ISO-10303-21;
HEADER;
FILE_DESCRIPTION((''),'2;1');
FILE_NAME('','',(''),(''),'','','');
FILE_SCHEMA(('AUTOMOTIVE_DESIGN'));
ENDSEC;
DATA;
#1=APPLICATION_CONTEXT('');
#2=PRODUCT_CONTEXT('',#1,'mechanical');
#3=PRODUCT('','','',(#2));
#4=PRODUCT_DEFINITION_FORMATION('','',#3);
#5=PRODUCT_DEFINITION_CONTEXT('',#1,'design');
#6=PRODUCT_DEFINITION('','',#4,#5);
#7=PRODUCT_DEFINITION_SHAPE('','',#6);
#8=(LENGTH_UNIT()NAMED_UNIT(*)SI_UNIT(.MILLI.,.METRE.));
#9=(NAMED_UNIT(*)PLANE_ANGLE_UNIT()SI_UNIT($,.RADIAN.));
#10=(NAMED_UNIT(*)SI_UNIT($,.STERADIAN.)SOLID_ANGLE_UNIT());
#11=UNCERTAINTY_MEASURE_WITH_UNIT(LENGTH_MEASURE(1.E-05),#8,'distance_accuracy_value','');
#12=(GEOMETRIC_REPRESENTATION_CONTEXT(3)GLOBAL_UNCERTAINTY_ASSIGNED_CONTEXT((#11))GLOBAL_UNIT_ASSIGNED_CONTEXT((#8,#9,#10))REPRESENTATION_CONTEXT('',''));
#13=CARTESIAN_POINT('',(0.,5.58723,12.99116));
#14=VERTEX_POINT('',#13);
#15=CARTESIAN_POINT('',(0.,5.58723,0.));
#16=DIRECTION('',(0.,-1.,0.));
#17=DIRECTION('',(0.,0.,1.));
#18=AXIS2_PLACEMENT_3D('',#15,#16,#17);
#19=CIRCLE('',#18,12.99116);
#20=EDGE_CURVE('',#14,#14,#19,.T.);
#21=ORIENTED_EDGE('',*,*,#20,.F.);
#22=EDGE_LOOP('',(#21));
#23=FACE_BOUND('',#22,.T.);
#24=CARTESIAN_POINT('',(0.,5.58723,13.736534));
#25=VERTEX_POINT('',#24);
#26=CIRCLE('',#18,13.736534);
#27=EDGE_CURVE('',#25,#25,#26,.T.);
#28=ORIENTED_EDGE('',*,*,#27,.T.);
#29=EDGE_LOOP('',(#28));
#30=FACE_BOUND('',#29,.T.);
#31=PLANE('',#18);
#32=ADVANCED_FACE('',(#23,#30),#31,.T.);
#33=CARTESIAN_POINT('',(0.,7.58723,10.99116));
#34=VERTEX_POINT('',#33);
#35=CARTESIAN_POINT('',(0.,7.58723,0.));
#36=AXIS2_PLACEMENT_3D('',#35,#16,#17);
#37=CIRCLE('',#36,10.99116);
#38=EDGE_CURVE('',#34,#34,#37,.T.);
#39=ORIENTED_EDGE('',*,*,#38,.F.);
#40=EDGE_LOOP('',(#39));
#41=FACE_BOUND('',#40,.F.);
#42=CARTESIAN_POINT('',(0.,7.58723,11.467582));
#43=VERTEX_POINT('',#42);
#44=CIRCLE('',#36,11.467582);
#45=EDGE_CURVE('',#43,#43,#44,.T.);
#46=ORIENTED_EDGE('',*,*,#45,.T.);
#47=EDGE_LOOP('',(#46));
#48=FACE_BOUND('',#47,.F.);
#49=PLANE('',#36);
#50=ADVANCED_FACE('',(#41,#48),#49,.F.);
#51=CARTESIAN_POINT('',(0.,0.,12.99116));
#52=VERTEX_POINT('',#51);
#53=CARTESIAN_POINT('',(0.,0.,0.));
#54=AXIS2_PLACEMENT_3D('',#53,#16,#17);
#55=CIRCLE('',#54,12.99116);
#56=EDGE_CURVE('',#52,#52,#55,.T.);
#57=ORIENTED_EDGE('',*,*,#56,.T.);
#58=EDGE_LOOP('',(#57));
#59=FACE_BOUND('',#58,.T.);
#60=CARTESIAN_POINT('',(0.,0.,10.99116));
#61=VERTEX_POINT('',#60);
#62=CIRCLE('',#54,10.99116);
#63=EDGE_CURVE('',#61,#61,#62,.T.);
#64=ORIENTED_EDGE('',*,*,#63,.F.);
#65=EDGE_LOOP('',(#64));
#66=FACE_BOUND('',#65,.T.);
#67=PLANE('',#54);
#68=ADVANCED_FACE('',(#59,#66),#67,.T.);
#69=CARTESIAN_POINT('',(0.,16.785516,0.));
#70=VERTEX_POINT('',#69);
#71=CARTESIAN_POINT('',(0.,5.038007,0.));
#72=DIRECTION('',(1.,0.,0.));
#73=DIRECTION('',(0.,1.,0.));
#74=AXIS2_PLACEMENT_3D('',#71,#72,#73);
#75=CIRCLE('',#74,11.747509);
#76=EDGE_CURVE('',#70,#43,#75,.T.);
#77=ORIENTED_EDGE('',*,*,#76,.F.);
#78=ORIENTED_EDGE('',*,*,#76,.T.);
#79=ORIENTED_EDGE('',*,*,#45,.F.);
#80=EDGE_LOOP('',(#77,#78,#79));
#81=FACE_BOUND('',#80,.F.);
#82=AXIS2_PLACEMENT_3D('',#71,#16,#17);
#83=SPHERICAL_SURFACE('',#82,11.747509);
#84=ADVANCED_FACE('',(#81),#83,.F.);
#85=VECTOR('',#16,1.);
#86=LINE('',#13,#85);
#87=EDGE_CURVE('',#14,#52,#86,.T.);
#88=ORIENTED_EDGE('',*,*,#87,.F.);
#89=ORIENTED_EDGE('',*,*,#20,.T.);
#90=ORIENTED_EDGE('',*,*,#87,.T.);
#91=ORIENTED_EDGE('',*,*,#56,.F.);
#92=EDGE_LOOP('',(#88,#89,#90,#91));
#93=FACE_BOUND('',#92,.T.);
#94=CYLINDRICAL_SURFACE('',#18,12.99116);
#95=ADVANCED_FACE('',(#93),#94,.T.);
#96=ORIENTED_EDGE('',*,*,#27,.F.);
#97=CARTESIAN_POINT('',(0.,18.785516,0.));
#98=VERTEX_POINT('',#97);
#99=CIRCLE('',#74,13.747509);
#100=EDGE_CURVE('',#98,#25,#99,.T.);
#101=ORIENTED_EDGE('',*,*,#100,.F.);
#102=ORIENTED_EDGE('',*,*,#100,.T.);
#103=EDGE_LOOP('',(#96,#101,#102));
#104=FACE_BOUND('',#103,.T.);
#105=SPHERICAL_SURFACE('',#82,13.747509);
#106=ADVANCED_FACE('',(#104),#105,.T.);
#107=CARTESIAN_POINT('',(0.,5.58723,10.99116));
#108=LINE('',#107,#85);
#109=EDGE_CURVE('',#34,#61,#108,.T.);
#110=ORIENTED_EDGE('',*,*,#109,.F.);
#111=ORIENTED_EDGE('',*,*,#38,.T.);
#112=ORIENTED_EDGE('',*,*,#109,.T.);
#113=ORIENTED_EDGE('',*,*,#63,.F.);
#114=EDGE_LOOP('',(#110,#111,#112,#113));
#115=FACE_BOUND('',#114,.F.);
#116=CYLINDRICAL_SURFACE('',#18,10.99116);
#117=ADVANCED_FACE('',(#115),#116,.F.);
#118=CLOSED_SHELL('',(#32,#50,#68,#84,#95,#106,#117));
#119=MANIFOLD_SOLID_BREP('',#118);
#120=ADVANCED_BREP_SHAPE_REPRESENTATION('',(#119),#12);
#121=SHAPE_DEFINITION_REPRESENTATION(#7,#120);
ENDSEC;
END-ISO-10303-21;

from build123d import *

# Parameters (mm, degrees)
F2_T = -2


with BuildPart() as f1:
    # F0 (on Right) → F1 (revolve)
    with BuildSketch(Plane.YZ):
        with BuildLine():
            Line((5.5872295052, 12.9911601543), (0, 12.9911601543))
            Line((0, 12.9911601543), (0, 0))
            Line((0, 0), (18.7855159319, 0))
            ThreePointArc((18.7855159319, 0), (14.9512416834, 9.5247982797), (5.5872295052, 13.7365339324))
            Line((5.5872295052, 13.7365339324), (5.5872295052, 12.9911601543))
        make_face()
    revolve(axis=Axis((0, 9.392757966, 0), (0, -1, 0)))

    # F2
    f2_openings = [f1.faces().sort_by_distance(p)[0] for p in [
        (0, 0, 0),
    ]]
    offset(amount=F2_T, openings=f2_openings, kind=Kind.INTERSECTION)


solid = f1.part
